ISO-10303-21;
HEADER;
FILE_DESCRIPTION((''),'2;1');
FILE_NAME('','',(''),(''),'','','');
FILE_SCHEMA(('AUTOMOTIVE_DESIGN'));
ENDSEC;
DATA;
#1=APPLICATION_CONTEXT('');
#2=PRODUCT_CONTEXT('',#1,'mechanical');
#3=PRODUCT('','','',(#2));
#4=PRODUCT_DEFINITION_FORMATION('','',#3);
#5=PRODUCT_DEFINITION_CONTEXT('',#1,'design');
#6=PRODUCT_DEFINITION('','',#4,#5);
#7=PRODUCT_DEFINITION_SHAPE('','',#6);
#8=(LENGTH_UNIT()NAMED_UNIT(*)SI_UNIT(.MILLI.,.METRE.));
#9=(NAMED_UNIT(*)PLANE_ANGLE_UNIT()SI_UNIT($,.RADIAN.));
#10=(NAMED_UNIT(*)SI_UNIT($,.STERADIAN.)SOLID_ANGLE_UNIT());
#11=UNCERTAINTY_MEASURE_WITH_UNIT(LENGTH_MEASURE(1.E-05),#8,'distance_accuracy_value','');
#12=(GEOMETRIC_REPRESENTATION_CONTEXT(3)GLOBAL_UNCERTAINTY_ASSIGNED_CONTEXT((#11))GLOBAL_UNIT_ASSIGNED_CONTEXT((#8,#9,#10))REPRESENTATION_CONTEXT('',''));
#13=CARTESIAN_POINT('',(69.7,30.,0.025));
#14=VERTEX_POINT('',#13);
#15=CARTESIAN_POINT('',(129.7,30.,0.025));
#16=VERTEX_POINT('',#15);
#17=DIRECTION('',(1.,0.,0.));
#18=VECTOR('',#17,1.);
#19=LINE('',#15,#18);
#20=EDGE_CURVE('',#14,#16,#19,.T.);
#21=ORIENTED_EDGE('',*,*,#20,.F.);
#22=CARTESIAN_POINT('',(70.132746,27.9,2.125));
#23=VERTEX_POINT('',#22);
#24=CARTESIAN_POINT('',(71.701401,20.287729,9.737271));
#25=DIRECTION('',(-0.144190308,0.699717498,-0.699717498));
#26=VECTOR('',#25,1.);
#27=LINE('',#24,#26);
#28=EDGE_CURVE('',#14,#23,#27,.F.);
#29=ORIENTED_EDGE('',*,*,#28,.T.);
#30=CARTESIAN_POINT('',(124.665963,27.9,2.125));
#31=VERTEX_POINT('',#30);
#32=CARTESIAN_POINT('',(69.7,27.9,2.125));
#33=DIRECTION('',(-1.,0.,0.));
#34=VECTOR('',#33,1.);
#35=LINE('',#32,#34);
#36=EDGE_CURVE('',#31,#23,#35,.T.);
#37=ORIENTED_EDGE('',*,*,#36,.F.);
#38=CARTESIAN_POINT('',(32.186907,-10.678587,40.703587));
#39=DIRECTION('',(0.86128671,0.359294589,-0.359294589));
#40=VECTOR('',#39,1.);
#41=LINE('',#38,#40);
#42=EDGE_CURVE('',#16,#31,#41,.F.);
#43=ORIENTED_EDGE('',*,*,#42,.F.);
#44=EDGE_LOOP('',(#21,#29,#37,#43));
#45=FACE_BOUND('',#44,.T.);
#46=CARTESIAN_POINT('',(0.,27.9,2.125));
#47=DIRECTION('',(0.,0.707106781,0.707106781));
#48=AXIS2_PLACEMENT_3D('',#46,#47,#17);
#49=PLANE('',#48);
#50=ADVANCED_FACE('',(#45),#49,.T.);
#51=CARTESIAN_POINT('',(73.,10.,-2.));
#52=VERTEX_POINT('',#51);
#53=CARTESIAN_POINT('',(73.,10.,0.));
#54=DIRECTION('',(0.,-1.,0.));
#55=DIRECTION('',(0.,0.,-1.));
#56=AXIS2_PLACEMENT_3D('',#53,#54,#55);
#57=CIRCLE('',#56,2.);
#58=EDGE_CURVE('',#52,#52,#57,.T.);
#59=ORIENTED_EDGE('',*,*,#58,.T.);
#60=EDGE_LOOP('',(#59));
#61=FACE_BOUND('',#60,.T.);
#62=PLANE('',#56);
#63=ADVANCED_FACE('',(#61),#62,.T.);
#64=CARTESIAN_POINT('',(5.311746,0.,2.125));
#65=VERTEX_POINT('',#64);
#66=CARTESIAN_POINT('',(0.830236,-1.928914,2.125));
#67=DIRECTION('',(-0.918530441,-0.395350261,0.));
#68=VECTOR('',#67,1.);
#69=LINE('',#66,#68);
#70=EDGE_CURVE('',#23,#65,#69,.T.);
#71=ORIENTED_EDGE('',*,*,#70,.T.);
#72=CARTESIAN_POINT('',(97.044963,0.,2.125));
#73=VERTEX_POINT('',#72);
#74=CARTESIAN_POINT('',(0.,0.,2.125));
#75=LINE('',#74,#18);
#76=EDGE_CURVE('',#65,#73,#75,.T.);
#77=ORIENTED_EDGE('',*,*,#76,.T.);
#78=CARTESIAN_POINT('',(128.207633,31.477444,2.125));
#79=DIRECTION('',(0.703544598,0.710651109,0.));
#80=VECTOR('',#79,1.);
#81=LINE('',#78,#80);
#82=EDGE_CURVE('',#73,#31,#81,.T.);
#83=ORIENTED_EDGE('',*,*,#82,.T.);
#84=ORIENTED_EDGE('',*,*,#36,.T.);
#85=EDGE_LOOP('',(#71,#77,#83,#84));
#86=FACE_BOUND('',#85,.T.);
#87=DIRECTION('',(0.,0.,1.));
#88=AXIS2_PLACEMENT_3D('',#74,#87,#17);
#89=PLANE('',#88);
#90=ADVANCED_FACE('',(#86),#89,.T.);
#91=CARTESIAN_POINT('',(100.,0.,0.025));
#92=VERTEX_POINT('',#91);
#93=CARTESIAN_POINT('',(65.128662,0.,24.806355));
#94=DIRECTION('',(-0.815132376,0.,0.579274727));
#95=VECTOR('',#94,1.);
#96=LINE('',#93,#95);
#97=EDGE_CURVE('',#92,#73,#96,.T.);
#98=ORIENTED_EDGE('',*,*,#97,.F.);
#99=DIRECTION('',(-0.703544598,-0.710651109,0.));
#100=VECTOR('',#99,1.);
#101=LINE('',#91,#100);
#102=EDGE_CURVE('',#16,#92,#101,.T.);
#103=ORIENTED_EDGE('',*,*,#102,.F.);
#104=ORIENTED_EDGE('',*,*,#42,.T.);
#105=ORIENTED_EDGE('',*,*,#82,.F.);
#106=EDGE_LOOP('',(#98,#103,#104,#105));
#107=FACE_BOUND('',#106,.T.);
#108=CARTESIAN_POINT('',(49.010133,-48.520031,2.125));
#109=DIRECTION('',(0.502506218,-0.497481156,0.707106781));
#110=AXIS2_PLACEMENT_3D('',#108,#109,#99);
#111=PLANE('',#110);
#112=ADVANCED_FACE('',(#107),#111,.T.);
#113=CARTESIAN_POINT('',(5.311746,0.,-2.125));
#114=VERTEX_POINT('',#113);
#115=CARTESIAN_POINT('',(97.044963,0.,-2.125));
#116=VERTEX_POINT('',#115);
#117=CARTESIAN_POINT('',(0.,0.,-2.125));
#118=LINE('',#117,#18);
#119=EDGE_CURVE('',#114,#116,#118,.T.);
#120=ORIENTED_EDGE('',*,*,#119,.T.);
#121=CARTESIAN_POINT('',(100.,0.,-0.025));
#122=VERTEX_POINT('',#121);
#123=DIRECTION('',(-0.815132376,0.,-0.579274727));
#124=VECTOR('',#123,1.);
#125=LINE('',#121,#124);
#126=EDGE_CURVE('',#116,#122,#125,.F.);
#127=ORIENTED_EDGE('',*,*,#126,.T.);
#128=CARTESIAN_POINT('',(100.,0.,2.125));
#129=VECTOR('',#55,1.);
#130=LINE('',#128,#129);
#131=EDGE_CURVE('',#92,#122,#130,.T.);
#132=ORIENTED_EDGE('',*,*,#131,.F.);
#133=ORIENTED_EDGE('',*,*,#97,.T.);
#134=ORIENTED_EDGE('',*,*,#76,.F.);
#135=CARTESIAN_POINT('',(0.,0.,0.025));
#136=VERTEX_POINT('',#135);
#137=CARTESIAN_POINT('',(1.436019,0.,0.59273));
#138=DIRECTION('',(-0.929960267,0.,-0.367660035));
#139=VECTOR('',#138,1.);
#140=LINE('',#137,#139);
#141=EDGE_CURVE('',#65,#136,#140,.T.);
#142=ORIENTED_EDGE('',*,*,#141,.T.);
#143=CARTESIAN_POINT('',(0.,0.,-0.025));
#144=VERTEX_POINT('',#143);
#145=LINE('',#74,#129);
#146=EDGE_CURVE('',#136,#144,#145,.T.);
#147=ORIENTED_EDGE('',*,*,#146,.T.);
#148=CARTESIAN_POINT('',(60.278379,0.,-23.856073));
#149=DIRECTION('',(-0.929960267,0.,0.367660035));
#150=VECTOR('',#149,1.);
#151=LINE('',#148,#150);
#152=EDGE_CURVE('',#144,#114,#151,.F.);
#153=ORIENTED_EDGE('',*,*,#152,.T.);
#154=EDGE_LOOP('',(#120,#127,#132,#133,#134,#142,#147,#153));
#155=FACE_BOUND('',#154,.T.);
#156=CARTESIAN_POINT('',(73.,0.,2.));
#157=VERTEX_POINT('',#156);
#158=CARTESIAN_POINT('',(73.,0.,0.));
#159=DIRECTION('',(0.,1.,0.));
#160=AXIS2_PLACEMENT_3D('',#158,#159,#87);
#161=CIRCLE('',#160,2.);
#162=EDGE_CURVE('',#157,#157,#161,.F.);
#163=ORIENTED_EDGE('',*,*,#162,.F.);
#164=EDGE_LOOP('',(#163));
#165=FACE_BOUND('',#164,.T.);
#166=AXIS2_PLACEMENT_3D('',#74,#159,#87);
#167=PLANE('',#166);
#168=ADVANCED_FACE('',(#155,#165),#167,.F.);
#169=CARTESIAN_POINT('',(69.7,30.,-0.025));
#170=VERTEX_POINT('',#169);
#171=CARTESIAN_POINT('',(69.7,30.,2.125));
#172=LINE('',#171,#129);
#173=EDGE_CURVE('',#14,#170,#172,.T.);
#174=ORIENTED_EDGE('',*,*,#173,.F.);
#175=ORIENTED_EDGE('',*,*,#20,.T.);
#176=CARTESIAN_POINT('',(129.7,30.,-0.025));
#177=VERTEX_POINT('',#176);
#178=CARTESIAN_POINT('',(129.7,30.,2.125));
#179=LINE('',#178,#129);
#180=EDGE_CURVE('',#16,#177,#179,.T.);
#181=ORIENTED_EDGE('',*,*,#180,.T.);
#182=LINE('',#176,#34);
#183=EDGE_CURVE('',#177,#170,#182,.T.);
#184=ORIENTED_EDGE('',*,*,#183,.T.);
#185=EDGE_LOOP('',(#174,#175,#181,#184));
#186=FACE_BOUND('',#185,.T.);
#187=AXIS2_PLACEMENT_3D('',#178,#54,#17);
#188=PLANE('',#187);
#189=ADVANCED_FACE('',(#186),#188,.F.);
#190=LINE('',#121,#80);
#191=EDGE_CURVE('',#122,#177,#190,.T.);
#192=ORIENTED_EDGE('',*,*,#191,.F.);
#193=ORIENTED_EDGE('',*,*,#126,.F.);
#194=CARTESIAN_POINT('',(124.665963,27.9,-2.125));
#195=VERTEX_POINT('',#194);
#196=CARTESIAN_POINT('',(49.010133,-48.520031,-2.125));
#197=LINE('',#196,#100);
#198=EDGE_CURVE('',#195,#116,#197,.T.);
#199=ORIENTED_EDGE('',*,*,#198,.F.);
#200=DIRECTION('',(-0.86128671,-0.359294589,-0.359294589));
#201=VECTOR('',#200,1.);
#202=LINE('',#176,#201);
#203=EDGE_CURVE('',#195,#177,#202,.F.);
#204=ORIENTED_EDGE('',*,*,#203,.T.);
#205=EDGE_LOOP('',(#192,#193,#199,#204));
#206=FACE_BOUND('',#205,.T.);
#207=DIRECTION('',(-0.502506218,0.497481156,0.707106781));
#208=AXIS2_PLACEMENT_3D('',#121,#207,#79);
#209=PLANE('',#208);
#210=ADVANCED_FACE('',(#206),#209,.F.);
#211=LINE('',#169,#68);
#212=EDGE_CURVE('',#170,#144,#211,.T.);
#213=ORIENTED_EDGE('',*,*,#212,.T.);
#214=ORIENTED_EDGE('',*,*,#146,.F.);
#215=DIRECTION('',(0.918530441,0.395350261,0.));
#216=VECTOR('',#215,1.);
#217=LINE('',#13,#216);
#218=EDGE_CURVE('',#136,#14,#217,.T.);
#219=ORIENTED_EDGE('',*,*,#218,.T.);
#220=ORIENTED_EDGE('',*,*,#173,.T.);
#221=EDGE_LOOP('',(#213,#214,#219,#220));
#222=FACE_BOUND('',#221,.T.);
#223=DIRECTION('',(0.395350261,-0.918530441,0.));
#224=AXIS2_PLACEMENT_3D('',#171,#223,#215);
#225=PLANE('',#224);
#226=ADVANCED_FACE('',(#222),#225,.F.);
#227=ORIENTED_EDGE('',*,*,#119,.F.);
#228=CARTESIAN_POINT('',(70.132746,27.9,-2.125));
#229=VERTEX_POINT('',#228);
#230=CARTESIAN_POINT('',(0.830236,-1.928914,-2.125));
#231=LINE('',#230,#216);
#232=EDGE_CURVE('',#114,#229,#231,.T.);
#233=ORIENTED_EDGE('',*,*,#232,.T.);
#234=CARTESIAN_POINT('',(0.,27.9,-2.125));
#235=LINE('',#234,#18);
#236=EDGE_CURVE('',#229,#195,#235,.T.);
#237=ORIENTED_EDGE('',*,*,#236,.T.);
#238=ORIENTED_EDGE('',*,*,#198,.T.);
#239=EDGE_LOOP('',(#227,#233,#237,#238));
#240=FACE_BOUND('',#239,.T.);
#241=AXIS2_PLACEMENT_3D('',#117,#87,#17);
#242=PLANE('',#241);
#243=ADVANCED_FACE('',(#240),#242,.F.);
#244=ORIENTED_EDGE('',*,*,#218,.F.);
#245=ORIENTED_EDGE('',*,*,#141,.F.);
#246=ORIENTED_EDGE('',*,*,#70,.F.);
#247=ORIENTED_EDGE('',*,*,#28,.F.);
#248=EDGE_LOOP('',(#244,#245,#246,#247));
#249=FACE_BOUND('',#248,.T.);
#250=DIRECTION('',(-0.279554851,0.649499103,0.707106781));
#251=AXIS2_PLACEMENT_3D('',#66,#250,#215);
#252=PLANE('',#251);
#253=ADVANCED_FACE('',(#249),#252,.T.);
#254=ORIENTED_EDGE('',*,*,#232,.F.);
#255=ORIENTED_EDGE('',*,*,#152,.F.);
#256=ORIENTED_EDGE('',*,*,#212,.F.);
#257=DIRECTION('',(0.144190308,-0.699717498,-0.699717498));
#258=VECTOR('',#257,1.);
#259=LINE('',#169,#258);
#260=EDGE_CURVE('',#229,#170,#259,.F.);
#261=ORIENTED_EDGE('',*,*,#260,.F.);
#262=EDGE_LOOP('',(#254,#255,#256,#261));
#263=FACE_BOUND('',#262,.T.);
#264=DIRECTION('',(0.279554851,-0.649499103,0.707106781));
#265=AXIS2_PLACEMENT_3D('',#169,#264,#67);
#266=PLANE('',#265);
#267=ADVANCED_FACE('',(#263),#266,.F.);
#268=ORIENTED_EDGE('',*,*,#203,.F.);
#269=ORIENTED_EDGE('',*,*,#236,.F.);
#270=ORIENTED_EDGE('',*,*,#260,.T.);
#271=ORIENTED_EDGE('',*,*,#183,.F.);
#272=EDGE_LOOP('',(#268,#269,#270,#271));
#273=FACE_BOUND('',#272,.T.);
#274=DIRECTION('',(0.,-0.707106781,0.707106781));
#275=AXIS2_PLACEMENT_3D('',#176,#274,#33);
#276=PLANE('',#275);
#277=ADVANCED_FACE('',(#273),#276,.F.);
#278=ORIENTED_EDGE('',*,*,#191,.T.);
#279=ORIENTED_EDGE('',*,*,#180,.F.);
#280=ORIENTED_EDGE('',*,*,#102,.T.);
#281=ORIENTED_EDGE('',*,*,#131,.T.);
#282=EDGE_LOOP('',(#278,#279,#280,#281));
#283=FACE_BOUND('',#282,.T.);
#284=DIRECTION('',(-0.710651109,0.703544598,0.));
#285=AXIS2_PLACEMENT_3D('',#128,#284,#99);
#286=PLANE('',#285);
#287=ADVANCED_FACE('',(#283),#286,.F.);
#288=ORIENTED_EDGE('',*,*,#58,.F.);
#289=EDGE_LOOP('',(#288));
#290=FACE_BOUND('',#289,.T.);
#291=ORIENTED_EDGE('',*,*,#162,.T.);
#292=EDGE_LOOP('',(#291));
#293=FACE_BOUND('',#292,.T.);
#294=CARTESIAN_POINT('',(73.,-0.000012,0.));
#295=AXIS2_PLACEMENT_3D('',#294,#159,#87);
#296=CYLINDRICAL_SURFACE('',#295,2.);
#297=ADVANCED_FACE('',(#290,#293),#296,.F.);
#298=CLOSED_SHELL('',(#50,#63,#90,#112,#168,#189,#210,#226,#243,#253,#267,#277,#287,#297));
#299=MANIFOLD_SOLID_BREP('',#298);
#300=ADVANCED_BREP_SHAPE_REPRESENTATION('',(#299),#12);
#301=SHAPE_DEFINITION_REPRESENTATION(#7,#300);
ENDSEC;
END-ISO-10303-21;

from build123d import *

# Parameters (mm, degrees)
SALIENTE_EXTRUIR1_DEPTH    = 2.125
CROQUIS3_R                 = 2
CORTAR_EXTRUIR1_DEPTH      = 1
CORTAR_EXTRUIR1_DEPTH_BACK = 10
CHAMFER1_SIZE              = 2.1


with BuildPart() as part:
    # Croquis1 → Saliente-Extruir1 (new body, symmetric)
    with BuildSketch(Plane.XY):
        Polygon((0, 0), (100, 0), (129.7, 30), (69.7, 30), align=None)
    extrude(amount=SALIENTE_EXTRUIR1_DEPTH, both=True)

    # Croquis3 → Cortar-Extruir1 (cut, two sides)
    with BuildSketch(Plane.XZ) as cortar_extruir1_sk:
        with Locations((73, 0)):
            Circle(CROQUIS3_R)
    extrude(amount=CORTAR_EXTRUIR1_DEPTH, mode=Mode.SUBTRACT)
    extrude(cortar_extruir1_sk.sketch, amount=-CORTAR_EXTRUIR1_DEPTH_BACK, mode=Mode.SUBTRACT)

    # Chamfer1
    chamfer1_edges = [part.edges().sort_by_distance(p)[0] for p in [
        (114.85, 15, 2.125),
        (99.7, 30, 2.125),
        (34.85, 15, 2.125),
        (99.7, 30, -2.125),
        (114.85, 15, -2.125),
        (34.85, 15, -2.125),
    ]]
    chamfer(chamfer1_edges, length=CHAMFER1_SIZE)


solid = part.part
